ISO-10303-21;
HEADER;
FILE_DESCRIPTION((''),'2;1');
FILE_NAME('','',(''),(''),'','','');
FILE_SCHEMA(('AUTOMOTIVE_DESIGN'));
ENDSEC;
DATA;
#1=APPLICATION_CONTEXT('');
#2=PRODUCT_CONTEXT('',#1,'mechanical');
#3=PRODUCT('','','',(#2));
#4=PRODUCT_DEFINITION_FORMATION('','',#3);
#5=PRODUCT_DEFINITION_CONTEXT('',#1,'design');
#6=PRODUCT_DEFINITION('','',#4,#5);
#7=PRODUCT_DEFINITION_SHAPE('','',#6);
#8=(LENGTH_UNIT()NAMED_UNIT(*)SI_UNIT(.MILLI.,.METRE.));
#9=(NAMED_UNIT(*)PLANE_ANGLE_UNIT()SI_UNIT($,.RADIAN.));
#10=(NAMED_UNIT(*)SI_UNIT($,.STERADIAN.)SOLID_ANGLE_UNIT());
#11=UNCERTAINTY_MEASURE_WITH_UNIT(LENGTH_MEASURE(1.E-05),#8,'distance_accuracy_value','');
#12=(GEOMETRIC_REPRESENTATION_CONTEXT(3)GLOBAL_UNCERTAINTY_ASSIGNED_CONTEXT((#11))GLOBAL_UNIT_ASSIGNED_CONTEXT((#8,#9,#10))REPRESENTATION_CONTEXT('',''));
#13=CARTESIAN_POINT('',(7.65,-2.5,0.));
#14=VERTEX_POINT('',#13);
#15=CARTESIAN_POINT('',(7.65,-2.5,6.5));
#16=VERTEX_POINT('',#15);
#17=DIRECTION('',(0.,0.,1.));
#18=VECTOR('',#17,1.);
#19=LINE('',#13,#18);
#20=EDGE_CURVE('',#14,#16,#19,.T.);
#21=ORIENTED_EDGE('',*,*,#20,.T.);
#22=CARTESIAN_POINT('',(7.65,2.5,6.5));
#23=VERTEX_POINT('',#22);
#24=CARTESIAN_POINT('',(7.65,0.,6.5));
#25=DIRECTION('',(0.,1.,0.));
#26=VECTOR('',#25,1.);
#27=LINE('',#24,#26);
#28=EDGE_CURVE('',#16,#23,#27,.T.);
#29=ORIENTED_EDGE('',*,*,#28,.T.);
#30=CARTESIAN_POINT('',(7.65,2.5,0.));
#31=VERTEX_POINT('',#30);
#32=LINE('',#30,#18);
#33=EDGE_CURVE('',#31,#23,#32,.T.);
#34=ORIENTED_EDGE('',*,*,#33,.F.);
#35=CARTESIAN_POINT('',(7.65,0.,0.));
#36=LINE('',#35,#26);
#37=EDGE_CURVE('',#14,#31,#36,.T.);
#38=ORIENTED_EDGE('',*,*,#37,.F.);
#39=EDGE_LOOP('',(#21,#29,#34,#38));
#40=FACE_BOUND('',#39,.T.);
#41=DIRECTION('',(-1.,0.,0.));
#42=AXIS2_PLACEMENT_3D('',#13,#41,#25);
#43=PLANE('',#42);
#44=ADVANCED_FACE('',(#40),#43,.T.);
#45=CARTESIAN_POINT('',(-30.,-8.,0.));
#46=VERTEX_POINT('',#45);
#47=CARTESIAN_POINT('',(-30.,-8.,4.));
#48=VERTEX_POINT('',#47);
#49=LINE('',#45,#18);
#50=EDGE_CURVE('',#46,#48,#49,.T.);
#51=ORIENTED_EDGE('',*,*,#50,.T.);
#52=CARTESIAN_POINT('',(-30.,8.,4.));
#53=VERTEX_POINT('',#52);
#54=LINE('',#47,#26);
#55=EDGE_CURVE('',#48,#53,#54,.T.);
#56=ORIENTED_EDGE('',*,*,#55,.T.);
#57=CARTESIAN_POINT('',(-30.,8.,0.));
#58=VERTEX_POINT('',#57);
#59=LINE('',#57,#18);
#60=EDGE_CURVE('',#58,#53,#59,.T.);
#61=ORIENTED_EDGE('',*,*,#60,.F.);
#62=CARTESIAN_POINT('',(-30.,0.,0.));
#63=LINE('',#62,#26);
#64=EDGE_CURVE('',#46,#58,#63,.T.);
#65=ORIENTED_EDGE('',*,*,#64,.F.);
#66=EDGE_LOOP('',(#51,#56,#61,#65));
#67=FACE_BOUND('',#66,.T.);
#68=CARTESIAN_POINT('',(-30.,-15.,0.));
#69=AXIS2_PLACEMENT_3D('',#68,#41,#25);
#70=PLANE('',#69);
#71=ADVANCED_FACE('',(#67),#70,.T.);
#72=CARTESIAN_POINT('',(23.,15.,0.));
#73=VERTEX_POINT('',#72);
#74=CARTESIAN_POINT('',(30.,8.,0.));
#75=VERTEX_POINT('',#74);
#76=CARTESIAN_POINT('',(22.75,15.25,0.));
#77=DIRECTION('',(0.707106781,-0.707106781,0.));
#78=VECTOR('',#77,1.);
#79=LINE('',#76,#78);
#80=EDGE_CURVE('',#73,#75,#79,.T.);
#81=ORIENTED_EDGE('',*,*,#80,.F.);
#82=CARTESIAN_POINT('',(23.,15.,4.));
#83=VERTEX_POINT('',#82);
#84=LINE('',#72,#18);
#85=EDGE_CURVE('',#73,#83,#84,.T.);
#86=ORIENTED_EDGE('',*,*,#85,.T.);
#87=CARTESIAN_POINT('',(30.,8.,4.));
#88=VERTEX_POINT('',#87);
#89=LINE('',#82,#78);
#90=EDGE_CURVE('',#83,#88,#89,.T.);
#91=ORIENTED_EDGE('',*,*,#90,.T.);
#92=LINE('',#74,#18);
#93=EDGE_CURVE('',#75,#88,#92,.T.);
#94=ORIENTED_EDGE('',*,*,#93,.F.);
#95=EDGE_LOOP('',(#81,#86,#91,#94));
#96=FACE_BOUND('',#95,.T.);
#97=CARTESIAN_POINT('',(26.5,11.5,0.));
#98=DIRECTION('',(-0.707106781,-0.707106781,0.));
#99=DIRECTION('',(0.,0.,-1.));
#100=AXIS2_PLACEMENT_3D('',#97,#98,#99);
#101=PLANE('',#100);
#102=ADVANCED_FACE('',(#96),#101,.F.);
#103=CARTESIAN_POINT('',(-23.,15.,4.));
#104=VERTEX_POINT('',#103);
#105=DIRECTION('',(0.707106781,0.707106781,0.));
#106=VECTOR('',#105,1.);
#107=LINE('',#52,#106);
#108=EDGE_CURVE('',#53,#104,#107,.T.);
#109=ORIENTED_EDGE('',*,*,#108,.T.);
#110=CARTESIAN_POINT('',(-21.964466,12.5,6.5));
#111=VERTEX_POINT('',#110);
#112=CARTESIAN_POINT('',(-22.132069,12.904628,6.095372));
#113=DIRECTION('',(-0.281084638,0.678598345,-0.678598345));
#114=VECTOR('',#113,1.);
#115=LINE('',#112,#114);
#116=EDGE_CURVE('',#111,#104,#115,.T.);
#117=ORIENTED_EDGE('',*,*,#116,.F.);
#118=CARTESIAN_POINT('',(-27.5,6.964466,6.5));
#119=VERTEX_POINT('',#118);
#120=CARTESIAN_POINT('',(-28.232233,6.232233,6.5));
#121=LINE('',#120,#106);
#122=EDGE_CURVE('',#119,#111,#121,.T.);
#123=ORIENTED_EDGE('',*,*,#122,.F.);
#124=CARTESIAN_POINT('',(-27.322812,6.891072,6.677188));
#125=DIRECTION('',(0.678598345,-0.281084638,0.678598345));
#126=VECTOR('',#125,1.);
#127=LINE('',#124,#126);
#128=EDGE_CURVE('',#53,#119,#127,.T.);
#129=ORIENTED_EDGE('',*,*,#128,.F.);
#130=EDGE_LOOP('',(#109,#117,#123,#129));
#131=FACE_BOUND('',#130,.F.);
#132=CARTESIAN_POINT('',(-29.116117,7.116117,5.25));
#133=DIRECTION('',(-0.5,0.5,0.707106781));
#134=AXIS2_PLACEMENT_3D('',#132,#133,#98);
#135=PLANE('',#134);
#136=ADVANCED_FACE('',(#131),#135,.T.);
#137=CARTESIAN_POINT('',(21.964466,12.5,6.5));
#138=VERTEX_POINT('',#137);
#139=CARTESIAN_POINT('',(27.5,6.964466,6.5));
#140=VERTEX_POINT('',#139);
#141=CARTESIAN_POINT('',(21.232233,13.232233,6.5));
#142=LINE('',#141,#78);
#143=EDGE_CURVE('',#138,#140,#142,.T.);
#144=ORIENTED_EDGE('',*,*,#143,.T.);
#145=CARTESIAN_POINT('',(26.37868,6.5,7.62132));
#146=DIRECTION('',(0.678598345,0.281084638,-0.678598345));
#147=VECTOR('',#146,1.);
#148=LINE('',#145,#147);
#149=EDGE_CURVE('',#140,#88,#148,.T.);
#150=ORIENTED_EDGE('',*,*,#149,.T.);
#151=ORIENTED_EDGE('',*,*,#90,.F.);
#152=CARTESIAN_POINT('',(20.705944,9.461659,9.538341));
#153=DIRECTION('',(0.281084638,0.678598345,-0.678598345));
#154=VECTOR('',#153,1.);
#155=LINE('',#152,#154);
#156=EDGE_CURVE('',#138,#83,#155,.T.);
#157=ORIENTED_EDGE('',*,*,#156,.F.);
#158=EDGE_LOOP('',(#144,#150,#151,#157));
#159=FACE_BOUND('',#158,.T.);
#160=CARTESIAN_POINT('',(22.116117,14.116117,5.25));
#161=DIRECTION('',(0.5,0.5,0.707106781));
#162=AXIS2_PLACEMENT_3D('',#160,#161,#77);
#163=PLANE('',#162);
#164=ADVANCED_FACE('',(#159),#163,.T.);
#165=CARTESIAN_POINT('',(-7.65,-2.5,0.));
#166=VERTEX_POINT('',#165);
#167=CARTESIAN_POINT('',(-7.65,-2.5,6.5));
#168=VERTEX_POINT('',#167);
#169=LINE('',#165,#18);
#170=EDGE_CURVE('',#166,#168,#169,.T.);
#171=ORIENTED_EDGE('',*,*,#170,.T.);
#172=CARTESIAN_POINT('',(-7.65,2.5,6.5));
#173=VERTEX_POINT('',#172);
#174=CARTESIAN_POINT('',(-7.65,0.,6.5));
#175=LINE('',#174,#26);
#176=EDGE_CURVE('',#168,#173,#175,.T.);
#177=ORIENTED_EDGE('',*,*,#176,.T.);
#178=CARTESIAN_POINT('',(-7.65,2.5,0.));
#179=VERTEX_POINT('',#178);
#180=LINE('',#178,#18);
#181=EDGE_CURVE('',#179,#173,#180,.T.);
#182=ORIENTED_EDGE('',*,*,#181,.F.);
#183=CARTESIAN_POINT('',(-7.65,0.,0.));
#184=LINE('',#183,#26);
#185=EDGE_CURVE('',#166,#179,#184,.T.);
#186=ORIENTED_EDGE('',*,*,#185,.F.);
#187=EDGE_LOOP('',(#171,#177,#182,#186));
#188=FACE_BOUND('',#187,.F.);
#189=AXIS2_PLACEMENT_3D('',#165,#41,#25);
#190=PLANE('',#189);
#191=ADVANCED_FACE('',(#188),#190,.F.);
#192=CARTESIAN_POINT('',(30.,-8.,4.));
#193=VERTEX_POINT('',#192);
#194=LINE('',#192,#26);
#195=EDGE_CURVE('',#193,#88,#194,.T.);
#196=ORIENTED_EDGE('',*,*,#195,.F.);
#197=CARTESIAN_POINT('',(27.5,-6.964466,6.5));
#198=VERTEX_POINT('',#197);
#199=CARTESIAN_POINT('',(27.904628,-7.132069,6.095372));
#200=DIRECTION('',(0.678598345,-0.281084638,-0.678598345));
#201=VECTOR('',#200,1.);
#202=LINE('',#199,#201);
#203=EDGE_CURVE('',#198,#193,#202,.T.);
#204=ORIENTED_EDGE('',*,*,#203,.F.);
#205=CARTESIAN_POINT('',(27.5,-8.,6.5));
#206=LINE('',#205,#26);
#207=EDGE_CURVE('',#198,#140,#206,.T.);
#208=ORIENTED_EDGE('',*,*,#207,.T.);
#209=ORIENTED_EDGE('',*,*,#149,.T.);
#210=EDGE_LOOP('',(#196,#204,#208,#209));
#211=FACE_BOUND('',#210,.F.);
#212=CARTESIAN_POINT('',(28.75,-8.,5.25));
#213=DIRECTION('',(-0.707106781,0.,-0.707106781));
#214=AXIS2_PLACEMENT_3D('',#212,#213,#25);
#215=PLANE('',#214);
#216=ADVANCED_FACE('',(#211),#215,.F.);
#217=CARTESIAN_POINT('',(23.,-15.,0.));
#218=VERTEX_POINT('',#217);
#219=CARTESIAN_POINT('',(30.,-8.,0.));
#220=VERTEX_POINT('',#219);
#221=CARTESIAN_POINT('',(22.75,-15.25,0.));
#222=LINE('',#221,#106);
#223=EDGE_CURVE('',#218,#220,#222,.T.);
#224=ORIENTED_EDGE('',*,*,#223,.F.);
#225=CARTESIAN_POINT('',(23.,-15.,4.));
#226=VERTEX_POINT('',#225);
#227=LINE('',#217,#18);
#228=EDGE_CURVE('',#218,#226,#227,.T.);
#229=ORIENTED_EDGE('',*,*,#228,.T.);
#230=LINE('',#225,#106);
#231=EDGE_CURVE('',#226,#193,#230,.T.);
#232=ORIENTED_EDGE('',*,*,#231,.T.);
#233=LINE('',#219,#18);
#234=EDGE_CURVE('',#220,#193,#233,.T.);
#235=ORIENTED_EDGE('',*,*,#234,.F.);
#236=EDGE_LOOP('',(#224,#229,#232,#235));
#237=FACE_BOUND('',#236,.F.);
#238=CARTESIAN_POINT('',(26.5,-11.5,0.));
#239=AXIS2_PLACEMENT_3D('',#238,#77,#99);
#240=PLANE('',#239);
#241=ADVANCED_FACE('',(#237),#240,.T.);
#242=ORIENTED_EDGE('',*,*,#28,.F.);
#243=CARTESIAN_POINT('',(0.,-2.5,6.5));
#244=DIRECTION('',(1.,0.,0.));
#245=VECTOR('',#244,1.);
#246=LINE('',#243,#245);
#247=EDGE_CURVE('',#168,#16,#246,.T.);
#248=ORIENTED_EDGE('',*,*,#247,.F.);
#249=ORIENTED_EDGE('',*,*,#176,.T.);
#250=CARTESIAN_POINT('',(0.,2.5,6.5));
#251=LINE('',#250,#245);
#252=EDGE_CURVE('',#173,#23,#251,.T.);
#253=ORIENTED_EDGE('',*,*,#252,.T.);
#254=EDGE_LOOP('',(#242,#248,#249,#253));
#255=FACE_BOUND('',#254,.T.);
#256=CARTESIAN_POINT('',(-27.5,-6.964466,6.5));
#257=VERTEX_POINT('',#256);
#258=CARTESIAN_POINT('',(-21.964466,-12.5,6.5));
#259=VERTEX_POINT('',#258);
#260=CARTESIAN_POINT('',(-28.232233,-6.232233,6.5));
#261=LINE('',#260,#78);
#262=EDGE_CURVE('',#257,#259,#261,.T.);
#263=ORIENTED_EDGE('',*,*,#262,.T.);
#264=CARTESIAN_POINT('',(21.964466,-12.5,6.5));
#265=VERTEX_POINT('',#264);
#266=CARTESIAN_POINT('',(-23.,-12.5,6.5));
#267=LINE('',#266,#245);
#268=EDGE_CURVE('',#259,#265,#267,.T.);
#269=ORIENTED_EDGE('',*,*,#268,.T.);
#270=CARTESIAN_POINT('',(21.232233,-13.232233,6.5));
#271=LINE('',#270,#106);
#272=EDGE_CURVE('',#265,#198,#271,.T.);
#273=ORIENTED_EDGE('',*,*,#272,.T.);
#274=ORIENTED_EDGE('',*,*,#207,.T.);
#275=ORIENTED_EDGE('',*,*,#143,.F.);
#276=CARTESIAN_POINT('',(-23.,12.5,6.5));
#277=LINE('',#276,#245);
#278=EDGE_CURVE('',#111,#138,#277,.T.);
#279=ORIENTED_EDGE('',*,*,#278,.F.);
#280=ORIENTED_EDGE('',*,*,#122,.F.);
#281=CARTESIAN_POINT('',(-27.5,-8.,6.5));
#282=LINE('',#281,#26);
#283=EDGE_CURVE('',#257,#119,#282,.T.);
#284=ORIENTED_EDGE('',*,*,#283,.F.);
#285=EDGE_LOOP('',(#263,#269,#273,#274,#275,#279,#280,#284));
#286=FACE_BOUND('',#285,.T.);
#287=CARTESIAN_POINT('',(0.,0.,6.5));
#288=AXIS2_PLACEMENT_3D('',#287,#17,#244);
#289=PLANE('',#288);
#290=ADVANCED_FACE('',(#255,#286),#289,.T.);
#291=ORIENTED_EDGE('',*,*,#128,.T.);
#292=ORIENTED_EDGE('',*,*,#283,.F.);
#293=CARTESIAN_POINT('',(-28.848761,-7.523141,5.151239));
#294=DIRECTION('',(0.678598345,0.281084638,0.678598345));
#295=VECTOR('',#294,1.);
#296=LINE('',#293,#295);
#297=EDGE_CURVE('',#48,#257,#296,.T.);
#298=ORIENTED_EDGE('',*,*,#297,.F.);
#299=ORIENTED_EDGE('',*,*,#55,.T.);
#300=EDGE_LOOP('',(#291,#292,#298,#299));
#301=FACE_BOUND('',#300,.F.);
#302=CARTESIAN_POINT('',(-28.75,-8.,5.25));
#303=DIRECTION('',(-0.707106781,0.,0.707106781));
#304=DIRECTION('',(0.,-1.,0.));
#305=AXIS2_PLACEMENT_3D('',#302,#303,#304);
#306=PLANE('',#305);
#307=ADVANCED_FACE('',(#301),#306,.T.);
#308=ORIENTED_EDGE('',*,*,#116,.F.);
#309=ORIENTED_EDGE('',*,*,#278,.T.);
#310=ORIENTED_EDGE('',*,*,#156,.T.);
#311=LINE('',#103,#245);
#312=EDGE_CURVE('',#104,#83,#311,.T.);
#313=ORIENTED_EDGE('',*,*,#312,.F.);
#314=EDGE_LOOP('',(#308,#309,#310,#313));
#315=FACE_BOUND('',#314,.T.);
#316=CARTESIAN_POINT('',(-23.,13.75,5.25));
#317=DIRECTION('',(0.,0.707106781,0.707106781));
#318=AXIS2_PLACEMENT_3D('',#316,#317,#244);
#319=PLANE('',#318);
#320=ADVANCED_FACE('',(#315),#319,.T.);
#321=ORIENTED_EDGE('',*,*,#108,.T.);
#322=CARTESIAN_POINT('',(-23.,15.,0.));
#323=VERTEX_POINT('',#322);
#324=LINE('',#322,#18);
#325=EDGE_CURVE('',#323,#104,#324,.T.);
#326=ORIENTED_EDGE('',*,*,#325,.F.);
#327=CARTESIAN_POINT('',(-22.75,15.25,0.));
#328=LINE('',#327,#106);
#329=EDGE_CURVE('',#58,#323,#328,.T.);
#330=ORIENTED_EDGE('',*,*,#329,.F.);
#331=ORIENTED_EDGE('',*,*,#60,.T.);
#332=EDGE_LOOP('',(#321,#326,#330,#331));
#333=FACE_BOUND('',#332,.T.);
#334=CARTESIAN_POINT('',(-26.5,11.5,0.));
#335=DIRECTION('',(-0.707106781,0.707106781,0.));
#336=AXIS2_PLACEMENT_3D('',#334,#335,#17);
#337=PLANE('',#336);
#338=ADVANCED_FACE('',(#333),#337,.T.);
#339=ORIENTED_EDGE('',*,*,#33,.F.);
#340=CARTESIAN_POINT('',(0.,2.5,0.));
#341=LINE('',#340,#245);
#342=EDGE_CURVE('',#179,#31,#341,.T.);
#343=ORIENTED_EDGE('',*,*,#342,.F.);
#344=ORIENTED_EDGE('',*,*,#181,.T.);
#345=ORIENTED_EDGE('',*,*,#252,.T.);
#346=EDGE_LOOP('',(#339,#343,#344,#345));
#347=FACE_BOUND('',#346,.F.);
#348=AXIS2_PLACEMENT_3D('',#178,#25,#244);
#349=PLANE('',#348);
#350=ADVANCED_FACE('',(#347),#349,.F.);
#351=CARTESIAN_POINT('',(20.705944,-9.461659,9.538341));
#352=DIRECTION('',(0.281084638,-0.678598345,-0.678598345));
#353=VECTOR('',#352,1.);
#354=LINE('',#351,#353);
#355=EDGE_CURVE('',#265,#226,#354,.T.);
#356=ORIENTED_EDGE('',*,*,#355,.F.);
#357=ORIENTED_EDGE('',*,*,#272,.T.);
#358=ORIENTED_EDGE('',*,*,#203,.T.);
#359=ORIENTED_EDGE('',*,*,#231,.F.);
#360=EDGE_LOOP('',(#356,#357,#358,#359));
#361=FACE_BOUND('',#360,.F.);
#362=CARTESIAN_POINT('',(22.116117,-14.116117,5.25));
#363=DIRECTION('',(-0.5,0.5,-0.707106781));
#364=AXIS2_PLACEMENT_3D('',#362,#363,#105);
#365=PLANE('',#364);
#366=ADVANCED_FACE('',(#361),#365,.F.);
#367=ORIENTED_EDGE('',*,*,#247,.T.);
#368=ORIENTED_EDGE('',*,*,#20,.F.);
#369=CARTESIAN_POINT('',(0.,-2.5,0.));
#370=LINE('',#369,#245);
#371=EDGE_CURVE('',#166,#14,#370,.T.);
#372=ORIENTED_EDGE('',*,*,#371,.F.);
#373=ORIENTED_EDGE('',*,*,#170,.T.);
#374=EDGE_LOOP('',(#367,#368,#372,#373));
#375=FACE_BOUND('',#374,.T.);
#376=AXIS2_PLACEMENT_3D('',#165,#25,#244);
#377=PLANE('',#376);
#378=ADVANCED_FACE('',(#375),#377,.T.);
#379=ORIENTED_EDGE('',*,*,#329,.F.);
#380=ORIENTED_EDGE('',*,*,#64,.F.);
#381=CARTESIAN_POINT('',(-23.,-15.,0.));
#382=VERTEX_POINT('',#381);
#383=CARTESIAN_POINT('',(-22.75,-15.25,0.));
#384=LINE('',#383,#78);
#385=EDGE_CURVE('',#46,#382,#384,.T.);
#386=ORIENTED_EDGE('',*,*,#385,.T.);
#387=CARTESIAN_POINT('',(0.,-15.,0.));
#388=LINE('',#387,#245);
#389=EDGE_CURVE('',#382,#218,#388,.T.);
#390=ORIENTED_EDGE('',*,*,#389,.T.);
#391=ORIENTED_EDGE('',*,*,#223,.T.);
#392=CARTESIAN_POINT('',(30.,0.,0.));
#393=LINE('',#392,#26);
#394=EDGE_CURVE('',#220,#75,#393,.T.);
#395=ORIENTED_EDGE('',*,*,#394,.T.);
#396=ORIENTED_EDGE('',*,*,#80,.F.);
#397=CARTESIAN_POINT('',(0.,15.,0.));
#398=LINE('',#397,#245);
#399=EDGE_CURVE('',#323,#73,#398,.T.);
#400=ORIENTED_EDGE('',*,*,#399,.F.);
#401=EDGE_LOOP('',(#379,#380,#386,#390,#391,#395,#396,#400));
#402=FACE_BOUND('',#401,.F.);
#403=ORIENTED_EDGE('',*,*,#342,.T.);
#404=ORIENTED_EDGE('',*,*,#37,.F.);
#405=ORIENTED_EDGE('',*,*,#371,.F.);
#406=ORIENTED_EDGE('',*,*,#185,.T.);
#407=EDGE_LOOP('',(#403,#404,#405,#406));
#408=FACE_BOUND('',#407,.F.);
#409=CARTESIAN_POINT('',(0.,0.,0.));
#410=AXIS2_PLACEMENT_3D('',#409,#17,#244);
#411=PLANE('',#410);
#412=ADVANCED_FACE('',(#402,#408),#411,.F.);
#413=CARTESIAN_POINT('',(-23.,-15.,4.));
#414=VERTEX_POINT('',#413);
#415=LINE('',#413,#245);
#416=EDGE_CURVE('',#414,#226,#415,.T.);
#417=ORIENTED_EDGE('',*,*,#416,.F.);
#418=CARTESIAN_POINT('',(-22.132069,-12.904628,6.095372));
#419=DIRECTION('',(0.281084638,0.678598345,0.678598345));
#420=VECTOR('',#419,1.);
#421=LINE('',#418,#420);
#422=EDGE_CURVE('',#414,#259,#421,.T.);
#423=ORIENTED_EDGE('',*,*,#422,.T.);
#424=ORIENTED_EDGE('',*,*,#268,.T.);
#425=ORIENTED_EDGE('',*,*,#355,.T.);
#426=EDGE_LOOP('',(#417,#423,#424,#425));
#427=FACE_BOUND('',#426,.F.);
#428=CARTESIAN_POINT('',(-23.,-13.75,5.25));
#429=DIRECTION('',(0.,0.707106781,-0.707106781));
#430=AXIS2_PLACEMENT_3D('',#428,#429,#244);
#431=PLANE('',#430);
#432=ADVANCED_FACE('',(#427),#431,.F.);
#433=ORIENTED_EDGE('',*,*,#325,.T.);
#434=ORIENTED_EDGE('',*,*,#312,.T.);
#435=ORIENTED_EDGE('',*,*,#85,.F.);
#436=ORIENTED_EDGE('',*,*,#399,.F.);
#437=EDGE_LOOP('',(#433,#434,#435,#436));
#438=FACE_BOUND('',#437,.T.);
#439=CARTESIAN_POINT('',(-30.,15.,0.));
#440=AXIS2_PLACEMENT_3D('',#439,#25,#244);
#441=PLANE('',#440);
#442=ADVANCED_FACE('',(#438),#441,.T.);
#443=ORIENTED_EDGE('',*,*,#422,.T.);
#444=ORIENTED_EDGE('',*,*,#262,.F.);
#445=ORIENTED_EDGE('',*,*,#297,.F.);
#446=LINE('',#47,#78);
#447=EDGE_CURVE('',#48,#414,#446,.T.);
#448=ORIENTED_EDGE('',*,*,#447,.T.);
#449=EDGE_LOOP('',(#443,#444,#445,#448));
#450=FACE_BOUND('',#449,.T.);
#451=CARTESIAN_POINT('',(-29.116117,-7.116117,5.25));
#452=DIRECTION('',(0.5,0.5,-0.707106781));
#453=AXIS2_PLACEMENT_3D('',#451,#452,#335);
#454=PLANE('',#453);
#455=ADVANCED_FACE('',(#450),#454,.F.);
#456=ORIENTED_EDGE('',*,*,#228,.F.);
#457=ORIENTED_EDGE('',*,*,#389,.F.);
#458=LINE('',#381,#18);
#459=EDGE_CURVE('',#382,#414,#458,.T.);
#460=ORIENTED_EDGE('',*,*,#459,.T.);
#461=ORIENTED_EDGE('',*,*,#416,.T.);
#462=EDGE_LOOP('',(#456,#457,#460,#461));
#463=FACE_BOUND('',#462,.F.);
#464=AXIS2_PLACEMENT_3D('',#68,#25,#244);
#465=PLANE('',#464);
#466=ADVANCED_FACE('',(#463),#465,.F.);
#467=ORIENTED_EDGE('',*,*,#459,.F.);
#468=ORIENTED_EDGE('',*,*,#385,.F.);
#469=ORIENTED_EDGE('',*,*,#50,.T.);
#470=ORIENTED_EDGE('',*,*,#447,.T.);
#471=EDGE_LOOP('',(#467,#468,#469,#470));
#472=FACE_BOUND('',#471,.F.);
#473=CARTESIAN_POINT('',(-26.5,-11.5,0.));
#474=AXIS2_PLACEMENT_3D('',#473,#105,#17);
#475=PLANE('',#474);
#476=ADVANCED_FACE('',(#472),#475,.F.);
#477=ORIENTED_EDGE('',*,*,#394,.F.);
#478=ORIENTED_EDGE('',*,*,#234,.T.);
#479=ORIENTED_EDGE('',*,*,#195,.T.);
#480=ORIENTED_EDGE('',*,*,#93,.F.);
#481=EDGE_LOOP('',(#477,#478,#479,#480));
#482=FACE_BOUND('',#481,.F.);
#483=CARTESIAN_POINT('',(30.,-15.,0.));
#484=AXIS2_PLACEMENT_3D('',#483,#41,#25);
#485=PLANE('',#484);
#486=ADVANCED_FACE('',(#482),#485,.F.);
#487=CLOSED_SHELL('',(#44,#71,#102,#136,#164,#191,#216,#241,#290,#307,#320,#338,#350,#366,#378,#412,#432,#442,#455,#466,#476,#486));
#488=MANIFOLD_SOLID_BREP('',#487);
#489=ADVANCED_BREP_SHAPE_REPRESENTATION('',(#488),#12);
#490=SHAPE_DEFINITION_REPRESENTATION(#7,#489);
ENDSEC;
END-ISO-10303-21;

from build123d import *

# Parameters (mm, degrees)
F0_W     = 60
F0_H     = 30
F0_W_2   = 15.3
F0_H_2   = 5
F1_DEPTH = 6.5
F2_SIZE  = 7
F3_SIZE  = 2.5


with BuildPart() as f1:
    # F0 (on Top) → F1 (new body)
    with BuildSketch(Plane.XY):
        Rectangle(F0_W, F0_H)
        Rectangle(F0_W_2, F0_H_2, mode=Mode.SUBTRACT)
    extrude(amount=F1_DEPTH)

    # F2
    f2_edges = [f1.edges().sort_by_distance(p)[0] for p in [
        (-30, -15, 3.25),
        (30, -15, 3.25),
        (30, 15, 3.25),
        (-30, 15, 3.25),
    ]]
    chamfer(f2_edges, length=F2_SIZE)

    # F3
    f3_edges = [f1.edges().sort_by_distance(p)[0] for p in [
        (0, 15, 6.5),
        (-26.5, 11.5, 6.5),
        (-30, 0, 6.5),
        (-26.5, -11.5, 6.5),
        (0, -15, 6.5),
        (26.5, -11.5, 6.5),
        (30, 0, 6.5),
        (26.5, 11.5, 6.5),
    ]]
    chamfer(f3_edges, length=F3_SIZE)


solid = f1.part
